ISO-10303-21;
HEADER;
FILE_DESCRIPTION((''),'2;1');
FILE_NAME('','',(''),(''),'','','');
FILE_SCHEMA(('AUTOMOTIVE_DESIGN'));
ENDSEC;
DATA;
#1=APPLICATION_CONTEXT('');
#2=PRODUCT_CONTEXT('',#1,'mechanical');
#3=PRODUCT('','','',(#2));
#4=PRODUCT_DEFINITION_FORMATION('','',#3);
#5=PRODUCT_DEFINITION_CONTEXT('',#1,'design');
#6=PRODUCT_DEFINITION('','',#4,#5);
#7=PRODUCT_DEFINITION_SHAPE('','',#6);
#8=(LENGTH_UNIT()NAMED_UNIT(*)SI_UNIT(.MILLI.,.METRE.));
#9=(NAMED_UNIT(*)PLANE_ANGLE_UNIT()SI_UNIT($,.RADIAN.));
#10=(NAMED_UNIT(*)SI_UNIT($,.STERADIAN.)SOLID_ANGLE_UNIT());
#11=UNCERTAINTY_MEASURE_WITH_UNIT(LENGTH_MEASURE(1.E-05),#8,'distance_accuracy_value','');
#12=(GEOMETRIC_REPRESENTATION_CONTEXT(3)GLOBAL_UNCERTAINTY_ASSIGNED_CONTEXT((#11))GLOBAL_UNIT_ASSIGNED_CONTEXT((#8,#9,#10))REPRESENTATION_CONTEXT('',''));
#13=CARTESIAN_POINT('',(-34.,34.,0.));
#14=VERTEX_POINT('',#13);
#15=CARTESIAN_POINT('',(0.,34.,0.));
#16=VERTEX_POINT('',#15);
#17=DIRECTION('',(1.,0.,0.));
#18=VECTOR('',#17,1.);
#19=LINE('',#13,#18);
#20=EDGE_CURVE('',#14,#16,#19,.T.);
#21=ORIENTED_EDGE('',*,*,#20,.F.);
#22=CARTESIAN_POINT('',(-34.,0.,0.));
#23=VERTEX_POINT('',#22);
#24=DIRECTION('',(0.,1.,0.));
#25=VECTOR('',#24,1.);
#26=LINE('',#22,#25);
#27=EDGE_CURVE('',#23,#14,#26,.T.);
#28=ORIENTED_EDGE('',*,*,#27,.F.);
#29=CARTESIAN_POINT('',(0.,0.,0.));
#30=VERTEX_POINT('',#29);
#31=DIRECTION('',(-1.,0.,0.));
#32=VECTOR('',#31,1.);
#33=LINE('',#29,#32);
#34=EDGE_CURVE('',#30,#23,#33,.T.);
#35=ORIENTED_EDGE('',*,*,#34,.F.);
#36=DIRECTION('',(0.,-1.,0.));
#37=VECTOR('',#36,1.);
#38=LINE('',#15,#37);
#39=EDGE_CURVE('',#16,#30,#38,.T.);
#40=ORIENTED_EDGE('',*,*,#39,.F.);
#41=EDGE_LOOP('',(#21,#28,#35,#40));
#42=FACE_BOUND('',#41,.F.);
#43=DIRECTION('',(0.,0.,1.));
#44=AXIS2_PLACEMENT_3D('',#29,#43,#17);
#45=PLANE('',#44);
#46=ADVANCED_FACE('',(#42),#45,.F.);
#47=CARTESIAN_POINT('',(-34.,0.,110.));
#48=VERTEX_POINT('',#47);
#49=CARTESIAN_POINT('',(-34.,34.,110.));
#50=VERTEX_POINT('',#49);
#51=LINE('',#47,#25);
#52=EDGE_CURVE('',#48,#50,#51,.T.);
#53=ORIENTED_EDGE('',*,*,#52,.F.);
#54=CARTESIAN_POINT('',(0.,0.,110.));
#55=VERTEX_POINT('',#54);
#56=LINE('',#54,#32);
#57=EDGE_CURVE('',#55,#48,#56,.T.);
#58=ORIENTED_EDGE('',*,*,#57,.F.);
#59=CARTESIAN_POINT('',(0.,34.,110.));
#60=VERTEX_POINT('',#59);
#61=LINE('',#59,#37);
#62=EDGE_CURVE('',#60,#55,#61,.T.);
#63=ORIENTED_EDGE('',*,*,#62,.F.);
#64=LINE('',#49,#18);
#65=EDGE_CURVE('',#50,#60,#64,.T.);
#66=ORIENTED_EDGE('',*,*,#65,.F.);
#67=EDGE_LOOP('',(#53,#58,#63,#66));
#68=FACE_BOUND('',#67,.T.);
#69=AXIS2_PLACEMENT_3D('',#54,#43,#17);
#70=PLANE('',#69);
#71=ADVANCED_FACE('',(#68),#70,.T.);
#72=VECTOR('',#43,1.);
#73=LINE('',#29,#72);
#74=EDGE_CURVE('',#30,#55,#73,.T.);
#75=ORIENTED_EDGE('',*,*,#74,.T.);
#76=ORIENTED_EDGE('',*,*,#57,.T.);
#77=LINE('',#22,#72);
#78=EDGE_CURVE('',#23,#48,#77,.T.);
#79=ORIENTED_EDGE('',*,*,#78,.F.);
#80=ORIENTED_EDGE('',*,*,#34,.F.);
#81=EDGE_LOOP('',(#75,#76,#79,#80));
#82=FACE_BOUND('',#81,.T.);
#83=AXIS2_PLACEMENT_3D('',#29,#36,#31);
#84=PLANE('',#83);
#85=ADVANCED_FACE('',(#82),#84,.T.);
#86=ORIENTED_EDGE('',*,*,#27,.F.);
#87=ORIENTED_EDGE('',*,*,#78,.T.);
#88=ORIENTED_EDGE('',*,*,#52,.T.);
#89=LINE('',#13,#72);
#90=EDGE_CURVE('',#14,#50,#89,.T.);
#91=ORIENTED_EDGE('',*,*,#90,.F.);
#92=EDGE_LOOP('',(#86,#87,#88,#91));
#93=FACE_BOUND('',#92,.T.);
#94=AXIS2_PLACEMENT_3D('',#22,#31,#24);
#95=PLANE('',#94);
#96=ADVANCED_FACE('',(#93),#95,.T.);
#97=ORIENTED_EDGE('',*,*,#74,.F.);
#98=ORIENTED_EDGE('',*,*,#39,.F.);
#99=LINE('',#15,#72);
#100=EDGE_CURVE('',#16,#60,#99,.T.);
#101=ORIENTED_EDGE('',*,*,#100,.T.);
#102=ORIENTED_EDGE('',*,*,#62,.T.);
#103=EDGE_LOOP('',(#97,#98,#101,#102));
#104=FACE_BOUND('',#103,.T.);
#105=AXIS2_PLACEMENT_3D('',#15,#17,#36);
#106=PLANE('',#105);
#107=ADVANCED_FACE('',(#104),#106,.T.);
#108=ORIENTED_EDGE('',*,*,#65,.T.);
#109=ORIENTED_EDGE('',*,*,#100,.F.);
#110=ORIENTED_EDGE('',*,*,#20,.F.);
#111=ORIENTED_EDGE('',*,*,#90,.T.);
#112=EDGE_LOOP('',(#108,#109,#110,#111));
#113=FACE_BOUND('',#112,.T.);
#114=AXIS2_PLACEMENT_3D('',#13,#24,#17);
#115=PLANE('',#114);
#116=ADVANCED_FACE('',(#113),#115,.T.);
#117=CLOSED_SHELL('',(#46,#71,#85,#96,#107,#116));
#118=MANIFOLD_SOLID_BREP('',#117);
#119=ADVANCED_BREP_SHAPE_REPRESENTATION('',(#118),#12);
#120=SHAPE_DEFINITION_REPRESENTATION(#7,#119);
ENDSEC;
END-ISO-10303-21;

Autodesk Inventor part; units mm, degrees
ref_plane "YZ Plane" through (0, 0, 0) normal (1, 0, 0) x (0, 1, 0)
ref_plane "XZ Plane" through (0, 0, 0) normal (0, 1, 0) x (-1, 0, 0)
ref_plane "XY Plane" through (0, 0, 0) normal (0, 0, 1) x (1, 0, 0)
sketch "Sketch1" plane through (0, 0, 0) normal (0, 0, 1) x (1, 0, 0)
  line L0 (0, 0) -> (-34, 0)
  line L1 (-34, 0) -> (-34, 34)
  line L2 (-34, 34) -> (0, 34)
  line L3 (0, 34) -> (0, 0)
  dimension "d0" = 34
  dimension "d1" = 34
extrude "Extrusion1" add sketch "Sketch1" along normal blind 110
properties part number "Turnigy2200mAh4S40C" material "ABS Plastic"
